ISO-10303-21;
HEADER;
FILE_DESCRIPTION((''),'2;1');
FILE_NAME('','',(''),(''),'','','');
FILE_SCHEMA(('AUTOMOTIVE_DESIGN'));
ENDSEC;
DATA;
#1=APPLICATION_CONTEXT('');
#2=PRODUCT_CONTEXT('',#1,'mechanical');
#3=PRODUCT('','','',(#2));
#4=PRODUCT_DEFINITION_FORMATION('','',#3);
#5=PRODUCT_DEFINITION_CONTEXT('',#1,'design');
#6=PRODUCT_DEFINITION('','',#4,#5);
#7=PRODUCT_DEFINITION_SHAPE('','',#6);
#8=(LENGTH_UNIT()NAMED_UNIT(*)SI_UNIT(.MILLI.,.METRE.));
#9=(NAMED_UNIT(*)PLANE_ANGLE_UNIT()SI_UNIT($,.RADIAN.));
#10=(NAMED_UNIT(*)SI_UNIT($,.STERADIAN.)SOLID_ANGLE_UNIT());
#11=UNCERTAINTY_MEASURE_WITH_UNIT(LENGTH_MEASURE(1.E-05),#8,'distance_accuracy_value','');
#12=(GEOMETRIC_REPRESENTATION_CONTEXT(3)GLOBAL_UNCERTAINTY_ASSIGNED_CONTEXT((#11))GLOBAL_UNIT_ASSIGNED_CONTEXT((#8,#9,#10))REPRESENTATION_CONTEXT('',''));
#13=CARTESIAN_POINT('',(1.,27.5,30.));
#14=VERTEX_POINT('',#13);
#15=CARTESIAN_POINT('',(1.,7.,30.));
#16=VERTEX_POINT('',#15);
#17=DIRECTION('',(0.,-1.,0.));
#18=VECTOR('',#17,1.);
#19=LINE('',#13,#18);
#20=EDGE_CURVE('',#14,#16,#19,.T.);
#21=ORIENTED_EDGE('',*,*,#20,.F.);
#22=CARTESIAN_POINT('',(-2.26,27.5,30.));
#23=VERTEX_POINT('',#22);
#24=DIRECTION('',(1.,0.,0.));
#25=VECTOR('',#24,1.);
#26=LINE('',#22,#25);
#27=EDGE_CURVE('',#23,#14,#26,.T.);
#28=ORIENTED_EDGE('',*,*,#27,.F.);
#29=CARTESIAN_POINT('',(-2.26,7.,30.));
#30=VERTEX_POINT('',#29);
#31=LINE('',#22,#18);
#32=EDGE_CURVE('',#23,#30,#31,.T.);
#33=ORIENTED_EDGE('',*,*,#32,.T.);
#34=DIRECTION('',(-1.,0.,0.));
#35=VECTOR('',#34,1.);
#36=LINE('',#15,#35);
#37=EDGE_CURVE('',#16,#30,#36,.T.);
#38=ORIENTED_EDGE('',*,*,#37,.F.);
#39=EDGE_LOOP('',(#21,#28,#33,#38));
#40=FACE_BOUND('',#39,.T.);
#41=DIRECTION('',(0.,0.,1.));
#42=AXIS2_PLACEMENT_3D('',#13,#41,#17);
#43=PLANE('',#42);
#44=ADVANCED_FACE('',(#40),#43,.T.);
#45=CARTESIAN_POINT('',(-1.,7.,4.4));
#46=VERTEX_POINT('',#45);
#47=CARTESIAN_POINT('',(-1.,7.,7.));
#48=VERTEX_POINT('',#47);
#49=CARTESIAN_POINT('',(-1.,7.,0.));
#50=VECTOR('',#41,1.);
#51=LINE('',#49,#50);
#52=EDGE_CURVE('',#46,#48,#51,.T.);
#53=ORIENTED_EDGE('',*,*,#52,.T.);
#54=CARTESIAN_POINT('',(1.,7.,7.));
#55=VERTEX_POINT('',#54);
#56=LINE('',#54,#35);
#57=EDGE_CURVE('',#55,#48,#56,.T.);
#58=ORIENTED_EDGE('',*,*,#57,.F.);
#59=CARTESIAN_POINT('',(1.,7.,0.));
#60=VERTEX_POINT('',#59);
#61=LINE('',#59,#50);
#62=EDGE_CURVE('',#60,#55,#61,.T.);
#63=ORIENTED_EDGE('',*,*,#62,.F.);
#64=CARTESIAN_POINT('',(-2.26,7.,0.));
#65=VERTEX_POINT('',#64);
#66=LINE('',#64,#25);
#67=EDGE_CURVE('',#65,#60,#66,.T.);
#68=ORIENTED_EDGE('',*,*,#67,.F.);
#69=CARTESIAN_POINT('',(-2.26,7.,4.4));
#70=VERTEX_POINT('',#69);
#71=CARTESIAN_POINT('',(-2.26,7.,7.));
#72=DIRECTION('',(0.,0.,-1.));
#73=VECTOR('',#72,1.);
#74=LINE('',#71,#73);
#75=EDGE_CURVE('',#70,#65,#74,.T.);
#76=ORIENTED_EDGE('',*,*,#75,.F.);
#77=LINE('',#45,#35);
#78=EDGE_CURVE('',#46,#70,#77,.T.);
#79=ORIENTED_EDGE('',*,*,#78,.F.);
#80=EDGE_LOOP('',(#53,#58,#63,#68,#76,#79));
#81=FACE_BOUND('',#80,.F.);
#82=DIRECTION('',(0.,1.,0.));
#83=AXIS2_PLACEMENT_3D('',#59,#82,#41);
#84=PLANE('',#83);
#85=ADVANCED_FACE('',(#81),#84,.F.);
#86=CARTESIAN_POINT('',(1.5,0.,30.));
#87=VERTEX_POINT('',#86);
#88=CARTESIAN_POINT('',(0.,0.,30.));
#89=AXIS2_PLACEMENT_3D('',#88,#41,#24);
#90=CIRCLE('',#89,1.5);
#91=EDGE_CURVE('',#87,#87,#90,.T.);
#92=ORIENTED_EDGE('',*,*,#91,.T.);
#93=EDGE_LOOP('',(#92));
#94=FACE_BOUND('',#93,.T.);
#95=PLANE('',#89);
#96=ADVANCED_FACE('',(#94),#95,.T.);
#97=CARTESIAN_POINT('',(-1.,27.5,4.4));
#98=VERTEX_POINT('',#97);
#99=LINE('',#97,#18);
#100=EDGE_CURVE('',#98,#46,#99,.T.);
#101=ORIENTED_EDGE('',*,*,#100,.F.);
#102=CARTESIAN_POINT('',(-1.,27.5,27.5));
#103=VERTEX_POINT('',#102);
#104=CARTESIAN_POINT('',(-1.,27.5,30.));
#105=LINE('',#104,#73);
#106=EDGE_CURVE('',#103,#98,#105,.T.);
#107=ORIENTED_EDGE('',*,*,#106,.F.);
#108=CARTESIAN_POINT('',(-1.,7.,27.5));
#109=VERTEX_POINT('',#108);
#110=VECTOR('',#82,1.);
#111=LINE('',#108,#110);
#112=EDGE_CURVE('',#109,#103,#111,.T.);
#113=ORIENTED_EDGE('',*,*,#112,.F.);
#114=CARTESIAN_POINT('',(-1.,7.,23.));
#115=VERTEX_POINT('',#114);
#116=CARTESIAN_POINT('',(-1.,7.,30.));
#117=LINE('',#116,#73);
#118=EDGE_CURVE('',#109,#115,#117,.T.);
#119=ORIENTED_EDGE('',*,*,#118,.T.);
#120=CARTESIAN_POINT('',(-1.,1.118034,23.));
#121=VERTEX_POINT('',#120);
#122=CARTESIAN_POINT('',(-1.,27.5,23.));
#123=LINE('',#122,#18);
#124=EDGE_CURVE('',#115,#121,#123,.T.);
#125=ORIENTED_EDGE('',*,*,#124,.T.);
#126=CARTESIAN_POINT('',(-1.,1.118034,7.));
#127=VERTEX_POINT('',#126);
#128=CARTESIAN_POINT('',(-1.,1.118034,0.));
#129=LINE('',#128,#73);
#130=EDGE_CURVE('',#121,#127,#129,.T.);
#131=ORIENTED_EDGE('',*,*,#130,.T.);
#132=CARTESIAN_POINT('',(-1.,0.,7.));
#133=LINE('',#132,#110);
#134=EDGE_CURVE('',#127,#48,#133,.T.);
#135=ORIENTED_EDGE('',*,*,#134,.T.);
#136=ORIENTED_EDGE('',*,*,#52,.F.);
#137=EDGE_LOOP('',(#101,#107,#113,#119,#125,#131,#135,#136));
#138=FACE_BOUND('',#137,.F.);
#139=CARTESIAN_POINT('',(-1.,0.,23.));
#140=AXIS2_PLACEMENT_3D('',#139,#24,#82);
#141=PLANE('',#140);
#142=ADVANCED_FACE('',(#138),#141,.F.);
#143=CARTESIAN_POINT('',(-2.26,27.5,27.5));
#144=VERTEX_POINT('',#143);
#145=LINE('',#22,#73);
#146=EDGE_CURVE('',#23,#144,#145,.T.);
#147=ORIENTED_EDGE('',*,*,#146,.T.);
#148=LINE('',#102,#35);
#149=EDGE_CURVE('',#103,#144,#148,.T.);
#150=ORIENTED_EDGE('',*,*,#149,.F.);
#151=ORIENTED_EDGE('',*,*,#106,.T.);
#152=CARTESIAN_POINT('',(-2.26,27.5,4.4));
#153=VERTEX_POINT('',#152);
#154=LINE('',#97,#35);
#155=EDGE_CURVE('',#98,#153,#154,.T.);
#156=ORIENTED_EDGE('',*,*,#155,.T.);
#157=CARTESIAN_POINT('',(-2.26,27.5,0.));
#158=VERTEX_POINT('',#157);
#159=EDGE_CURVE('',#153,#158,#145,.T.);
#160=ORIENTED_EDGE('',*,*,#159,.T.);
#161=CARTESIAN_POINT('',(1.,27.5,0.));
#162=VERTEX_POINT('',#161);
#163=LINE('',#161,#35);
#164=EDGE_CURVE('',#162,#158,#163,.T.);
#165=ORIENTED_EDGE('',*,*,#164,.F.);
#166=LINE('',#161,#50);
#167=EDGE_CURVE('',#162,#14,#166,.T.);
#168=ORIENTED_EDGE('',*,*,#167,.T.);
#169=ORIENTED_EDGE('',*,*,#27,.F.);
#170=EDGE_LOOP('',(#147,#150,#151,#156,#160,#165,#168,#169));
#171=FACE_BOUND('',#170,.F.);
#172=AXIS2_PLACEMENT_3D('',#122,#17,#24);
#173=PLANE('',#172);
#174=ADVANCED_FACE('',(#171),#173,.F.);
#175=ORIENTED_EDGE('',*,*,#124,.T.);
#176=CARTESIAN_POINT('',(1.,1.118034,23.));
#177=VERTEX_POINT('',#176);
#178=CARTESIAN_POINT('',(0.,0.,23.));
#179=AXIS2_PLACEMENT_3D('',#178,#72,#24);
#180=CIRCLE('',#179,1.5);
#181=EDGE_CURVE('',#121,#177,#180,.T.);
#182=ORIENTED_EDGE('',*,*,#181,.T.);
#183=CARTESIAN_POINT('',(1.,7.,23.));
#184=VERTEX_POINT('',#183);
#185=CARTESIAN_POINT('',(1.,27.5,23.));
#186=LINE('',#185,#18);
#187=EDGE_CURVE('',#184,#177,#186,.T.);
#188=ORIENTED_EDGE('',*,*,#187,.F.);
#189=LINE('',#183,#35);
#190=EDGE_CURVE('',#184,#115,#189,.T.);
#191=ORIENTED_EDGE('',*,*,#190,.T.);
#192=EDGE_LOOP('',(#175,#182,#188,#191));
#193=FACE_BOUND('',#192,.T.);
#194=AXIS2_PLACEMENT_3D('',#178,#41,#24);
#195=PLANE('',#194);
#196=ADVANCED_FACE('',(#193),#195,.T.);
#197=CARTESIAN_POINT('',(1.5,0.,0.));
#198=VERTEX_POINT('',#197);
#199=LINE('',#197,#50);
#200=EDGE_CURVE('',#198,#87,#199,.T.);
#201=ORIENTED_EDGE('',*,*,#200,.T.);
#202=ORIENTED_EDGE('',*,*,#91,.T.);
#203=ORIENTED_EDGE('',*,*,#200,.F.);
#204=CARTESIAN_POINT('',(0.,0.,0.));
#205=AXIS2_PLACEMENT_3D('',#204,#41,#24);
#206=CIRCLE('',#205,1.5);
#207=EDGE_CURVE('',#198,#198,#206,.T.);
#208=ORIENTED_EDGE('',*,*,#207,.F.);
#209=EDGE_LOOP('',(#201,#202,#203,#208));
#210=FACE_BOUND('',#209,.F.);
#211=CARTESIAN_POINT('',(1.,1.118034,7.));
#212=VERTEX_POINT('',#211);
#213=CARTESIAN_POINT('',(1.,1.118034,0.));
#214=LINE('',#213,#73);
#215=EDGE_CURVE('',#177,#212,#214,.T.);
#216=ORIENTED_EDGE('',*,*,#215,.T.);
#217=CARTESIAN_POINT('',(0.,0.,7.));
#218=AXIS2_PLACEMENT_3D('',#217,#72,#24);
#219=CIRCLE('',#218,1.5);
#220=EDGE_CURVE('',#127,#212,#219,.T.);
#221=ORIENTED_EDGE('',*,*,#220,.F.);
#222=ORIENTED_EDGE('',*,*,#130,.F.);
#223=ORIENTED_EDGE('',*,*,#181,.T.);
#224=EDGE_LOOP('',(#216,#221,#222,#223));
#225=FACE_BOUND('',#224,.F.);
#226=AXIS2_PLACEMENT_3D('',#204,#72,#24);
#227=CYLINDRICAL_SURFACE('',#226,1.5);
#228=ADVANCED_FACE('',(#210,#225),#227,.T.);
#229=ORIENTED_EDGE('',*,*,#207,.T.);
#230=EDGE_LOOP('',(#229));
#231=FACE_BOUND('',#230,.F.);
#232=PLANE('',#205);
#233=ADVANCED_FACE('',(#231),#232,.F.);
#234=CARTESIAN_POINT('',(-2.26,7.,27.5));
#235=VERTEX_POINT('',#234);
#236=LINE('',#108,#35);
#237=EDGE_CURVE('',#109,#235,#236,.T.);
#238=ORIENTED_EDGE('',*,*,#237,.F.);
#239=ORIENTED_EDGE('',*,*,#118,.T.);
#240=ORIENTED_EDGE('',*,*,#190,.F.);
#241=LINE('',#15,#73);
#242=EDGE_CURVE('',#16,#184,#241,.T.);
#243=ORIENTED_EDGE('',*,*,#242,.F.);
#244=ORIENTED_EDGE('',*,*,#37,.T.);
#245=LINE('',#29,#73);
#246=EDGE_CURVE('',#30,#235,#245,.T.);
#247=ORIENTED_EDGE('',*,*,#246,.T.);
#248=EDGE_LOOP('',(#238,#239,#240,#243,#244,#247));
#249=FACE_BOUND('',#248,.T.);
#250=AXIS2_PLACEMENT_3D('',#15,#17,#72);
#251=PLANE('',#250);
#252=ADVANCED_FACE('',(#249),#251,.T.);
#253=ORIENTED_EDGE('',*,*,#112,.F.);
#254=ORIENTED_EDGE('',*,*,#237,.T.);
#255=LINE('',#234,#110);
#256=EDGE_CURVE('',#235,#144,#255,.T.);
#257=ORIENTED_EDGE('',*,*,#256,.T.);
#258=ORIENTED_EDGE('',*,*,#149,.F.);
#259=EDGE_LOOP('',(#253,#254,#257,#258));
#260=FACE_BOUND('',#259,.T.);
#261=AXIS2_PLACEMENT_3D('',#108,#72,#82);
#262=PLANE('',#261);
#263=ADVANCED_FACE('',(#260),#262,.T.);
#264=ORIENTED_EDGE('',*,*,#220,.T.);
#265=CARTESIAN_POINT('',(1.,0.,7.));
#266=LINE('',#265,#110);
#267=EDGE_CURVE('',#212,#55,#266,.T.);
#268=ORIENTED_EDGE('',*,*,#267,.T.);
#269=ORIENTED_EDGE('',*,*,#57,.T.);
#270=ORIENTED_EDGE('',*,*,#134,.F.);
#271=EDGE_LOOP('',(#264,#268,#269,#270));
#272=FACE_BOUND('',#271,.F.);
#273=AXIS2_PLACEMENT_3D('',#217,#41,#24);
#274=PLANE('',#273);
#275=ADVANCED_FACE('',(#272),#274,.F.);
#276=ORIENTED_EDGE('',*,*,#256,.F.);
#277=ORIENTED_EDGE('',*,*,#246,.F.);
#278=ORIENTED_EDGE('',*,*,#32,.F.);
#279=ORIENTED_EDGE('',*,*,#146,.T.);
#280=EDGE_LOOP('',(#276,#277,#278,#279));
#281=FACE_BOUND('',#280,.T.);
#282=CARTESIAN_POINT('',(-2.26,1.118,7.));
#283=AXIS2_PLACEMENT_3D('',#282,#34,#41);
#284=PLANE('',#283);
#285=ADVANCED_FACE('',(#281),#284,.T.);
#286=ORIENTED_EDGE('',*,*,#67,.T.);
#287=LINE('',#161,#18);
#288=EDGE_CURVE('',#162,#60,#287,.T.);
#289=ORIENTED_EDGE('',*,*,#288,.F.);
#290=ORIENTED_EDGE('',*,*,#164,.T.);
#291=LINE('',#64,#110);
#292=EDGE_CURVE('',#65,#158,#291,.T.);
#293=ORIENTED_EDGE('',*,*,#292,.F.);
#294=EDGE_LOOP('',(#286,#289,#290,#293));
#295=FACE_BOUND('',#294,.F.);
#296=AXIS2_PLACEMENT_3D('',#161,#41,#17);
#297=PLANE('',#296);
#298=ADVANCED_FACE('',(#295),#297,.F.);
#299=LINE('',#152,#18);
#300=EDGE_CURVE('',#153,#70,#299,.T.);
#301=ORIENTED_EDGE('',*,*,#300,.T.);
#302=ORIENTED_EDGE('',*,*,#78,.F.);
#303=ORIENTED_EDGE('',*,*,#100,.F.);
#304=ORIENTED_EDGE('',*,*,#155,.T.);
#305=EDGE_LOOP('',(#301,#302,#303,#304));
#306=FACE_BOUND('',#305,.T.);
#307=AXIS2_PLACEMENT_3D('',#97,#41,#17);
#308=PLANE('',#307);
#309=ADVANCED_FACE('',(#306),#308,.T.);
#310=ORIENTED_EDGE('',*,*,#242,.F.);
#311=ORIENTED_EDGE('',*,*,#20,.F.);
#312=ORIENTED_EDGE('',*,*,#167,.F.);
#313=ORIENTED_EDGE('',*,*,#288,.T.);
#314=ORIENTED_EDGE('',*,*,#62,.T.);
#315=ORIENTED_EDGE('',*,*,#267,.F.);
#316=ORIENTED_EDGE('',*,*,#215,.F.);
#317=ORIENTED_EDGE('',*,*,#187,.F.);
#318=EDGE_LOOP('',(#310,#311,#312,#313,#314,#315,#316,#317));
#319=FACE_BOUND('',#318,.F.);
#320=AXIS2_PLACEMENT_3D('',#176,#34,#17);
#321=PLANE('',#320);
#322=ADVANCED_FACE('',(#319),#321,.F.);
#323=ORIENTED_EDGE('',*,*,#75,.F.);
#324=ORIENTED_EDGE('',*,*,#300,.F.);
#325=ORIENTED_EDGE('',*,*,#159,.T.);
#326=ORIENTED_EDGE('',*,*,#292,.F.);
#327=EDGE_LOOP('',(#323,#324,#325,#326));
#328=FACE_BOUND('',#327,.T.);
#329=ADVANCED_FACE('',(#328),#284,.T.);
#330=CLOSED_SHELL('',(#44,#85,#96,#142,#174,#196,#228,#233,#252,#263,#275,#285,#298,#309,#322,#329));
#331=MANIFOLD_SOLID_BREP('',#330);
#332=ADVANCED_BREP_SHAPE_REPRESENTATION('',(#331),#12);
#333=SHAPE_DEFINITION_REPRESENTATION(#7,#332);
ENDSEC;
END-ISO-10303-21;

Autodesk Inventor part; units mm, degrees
ref_plane "YZ Plane" through (0, 0, 0) normal (1, 0, 0) x (0, 1, 0)
ref_plane "XZ Plane" through (0, 0, 0) normal (0, 1, 0) x (-1, 0, 0)
ref_plane "XY Plane" through (0, 0, 0) normal (0, 0, 1) x (1, 0, 0)
sketch "Sketch1" plane through (0, 0, 0) normal (0, 0, 1) x (1, 0, 0)
  circle A0 centre (0, 0) radius 1.5
  dimension "d0" = 3
extrude "Extrusion1" add sketch "Sketch1" along normal blind 30
ref_plane "Work Plane1" through (0, 0, 23) normal (0, 0, 1) x (1, 0, 0)
ref_plane "Work Plane2" through (0, 0, 7) normal (0, 0, -1) x (-1, 0, 0)
sketch "Sketch2" plane through (0, 0, 23) normal (0, 0, 1) x (1, 0, 0)
  circle A0 centre (0, 0) radius 1.5 projected
  line L0 (1, 0) -> (-1, 0)
  line L1 (-1, 0) -> (-1, 27.5)
  line L2 (-1, 27.5) -> (1, 27.5)
  line L3 (1, 27.5) -> (1, 0)
  dimension "d7" = 27.5
  dimension "d13" = 1
extrude "Extrusion2" add sketch "Sketch2" against normal up to surface (16 mm away) contours L3 L0 L1 A0 | A0 L1 L2 L3 picked at (0, 0.5)
sketch "Sketch3" plane through (1, 1.118, 23) normal (1, 0, 0) x (0, 0, -1)
  line L0 (16, 0) -> (16, 26.382) projected
  line L1 (0, 26.382) -> (16, 26.382) projected
  line L2 (0, 26.382) -> (0, 0) projected
  line L3 (16, 0) -> (0, 0) projected
  line L4 (0, 26.382) -> (-7, 26.382)
  line L5 (-7, 26.382) -> (-7, 5.882)
  line L6 (-7, 5.882) -> (0, 5.882)
  line L7 (0, 5.882) -> (0, 26.382)
  line L8 (16, 0) -> (16, 26.382) projected
  line L9 (16, 26.382) -> (23, 26.382)
  line L10 (23, 26.382) -> (23, 5.882)
  line L11 (23, 5.882) -> (16, 5.882)
  line L12 (16, 5.882) -> (16, 26.382)
  line L13 (23, -2.618) -> (23, 0.382) projected
  line L14 (-7, 0.382) -> (-7, -2.618) projected
  line L15 (0, 0) -> (16, 0) projected
  line L16 (16, 0) -> (16, 0) projected
  line L17 (16, 0) -> (0, 0) projected
  line L18 (0, 0) -> (0, 0) projected
  point P0 (23, -1.118)
  point P1 (19.5, 5.882)
  point P2 (-3.5, 5.882)
  point P3 (23, -1.118)
  point P4 (23, 16.132)
  point P5 (-7, 16.132)
  point P6 (-7, -1.118)
  dimension "d10" = 5.5
extrude "Extrusion3" add sketch "Sketch3" against normal up to surface (2 mm away) contours L0 L9 L10 L11 | L6 L5 L4 L2
sketch "Sketch5" plane through (-1, 1.118, 7) normal (-1, 0, 0) x (0, 0, 1)
  line L0 (16, 0) -> (0, 0) projected
  line L1 (16, 0) -> (16, 5.882) projected
  line L2 (23, 5.882) -> (16, 5.882) projected
  line L3 (23, 26.382) -> (23, 5.882) projected
  line L4 (23, 26.382) -> (-7, 26.382) projected
  line L5 (-7, 5.882) -> (-7, 26.382) projected
  line L6 (0, 5.882) -> (-7, 5.882) projected
  line L7 (0, 5.882) -> (0, 0) projected
  line L8 (23, 5.882) -> (16, 5.882) projected
  line L9 (23, 26.382) -> (-7, 26.382) projected
  line L10 (23, 5.882) -> (20.5, 5.882)
  line L11 (20.5, 5.882) -> (20.5, 26.382)
  line L12 (20.5, 26.382) -> (23, 26.382)
  line L13 (23, 26.382) -> (23, 5.882)
  line L14 (0, 5.882) -> (-7, 5.882) projected
  line L15 (-7, 26.382) -> (-2.6, 26.382)
  line L16 (-2.6, 26.382) -> (-2.6, 5.882)
  line L17 (-2.6, 5.882) -> (-7, 5.882)
  line L18 (-7, 5.882) -> (-7, 26.382)
  point P0 (-7, -1.118)
  dimension "d16" = 2.5
  dimension "d17" = 4.4
extrude "Extrusion5" add sketch "Sketch5" along normal blind 1.26 contours L11 L4 L3 L2 | L6 L5 L4 L16
properties part number "gpsDoor"
